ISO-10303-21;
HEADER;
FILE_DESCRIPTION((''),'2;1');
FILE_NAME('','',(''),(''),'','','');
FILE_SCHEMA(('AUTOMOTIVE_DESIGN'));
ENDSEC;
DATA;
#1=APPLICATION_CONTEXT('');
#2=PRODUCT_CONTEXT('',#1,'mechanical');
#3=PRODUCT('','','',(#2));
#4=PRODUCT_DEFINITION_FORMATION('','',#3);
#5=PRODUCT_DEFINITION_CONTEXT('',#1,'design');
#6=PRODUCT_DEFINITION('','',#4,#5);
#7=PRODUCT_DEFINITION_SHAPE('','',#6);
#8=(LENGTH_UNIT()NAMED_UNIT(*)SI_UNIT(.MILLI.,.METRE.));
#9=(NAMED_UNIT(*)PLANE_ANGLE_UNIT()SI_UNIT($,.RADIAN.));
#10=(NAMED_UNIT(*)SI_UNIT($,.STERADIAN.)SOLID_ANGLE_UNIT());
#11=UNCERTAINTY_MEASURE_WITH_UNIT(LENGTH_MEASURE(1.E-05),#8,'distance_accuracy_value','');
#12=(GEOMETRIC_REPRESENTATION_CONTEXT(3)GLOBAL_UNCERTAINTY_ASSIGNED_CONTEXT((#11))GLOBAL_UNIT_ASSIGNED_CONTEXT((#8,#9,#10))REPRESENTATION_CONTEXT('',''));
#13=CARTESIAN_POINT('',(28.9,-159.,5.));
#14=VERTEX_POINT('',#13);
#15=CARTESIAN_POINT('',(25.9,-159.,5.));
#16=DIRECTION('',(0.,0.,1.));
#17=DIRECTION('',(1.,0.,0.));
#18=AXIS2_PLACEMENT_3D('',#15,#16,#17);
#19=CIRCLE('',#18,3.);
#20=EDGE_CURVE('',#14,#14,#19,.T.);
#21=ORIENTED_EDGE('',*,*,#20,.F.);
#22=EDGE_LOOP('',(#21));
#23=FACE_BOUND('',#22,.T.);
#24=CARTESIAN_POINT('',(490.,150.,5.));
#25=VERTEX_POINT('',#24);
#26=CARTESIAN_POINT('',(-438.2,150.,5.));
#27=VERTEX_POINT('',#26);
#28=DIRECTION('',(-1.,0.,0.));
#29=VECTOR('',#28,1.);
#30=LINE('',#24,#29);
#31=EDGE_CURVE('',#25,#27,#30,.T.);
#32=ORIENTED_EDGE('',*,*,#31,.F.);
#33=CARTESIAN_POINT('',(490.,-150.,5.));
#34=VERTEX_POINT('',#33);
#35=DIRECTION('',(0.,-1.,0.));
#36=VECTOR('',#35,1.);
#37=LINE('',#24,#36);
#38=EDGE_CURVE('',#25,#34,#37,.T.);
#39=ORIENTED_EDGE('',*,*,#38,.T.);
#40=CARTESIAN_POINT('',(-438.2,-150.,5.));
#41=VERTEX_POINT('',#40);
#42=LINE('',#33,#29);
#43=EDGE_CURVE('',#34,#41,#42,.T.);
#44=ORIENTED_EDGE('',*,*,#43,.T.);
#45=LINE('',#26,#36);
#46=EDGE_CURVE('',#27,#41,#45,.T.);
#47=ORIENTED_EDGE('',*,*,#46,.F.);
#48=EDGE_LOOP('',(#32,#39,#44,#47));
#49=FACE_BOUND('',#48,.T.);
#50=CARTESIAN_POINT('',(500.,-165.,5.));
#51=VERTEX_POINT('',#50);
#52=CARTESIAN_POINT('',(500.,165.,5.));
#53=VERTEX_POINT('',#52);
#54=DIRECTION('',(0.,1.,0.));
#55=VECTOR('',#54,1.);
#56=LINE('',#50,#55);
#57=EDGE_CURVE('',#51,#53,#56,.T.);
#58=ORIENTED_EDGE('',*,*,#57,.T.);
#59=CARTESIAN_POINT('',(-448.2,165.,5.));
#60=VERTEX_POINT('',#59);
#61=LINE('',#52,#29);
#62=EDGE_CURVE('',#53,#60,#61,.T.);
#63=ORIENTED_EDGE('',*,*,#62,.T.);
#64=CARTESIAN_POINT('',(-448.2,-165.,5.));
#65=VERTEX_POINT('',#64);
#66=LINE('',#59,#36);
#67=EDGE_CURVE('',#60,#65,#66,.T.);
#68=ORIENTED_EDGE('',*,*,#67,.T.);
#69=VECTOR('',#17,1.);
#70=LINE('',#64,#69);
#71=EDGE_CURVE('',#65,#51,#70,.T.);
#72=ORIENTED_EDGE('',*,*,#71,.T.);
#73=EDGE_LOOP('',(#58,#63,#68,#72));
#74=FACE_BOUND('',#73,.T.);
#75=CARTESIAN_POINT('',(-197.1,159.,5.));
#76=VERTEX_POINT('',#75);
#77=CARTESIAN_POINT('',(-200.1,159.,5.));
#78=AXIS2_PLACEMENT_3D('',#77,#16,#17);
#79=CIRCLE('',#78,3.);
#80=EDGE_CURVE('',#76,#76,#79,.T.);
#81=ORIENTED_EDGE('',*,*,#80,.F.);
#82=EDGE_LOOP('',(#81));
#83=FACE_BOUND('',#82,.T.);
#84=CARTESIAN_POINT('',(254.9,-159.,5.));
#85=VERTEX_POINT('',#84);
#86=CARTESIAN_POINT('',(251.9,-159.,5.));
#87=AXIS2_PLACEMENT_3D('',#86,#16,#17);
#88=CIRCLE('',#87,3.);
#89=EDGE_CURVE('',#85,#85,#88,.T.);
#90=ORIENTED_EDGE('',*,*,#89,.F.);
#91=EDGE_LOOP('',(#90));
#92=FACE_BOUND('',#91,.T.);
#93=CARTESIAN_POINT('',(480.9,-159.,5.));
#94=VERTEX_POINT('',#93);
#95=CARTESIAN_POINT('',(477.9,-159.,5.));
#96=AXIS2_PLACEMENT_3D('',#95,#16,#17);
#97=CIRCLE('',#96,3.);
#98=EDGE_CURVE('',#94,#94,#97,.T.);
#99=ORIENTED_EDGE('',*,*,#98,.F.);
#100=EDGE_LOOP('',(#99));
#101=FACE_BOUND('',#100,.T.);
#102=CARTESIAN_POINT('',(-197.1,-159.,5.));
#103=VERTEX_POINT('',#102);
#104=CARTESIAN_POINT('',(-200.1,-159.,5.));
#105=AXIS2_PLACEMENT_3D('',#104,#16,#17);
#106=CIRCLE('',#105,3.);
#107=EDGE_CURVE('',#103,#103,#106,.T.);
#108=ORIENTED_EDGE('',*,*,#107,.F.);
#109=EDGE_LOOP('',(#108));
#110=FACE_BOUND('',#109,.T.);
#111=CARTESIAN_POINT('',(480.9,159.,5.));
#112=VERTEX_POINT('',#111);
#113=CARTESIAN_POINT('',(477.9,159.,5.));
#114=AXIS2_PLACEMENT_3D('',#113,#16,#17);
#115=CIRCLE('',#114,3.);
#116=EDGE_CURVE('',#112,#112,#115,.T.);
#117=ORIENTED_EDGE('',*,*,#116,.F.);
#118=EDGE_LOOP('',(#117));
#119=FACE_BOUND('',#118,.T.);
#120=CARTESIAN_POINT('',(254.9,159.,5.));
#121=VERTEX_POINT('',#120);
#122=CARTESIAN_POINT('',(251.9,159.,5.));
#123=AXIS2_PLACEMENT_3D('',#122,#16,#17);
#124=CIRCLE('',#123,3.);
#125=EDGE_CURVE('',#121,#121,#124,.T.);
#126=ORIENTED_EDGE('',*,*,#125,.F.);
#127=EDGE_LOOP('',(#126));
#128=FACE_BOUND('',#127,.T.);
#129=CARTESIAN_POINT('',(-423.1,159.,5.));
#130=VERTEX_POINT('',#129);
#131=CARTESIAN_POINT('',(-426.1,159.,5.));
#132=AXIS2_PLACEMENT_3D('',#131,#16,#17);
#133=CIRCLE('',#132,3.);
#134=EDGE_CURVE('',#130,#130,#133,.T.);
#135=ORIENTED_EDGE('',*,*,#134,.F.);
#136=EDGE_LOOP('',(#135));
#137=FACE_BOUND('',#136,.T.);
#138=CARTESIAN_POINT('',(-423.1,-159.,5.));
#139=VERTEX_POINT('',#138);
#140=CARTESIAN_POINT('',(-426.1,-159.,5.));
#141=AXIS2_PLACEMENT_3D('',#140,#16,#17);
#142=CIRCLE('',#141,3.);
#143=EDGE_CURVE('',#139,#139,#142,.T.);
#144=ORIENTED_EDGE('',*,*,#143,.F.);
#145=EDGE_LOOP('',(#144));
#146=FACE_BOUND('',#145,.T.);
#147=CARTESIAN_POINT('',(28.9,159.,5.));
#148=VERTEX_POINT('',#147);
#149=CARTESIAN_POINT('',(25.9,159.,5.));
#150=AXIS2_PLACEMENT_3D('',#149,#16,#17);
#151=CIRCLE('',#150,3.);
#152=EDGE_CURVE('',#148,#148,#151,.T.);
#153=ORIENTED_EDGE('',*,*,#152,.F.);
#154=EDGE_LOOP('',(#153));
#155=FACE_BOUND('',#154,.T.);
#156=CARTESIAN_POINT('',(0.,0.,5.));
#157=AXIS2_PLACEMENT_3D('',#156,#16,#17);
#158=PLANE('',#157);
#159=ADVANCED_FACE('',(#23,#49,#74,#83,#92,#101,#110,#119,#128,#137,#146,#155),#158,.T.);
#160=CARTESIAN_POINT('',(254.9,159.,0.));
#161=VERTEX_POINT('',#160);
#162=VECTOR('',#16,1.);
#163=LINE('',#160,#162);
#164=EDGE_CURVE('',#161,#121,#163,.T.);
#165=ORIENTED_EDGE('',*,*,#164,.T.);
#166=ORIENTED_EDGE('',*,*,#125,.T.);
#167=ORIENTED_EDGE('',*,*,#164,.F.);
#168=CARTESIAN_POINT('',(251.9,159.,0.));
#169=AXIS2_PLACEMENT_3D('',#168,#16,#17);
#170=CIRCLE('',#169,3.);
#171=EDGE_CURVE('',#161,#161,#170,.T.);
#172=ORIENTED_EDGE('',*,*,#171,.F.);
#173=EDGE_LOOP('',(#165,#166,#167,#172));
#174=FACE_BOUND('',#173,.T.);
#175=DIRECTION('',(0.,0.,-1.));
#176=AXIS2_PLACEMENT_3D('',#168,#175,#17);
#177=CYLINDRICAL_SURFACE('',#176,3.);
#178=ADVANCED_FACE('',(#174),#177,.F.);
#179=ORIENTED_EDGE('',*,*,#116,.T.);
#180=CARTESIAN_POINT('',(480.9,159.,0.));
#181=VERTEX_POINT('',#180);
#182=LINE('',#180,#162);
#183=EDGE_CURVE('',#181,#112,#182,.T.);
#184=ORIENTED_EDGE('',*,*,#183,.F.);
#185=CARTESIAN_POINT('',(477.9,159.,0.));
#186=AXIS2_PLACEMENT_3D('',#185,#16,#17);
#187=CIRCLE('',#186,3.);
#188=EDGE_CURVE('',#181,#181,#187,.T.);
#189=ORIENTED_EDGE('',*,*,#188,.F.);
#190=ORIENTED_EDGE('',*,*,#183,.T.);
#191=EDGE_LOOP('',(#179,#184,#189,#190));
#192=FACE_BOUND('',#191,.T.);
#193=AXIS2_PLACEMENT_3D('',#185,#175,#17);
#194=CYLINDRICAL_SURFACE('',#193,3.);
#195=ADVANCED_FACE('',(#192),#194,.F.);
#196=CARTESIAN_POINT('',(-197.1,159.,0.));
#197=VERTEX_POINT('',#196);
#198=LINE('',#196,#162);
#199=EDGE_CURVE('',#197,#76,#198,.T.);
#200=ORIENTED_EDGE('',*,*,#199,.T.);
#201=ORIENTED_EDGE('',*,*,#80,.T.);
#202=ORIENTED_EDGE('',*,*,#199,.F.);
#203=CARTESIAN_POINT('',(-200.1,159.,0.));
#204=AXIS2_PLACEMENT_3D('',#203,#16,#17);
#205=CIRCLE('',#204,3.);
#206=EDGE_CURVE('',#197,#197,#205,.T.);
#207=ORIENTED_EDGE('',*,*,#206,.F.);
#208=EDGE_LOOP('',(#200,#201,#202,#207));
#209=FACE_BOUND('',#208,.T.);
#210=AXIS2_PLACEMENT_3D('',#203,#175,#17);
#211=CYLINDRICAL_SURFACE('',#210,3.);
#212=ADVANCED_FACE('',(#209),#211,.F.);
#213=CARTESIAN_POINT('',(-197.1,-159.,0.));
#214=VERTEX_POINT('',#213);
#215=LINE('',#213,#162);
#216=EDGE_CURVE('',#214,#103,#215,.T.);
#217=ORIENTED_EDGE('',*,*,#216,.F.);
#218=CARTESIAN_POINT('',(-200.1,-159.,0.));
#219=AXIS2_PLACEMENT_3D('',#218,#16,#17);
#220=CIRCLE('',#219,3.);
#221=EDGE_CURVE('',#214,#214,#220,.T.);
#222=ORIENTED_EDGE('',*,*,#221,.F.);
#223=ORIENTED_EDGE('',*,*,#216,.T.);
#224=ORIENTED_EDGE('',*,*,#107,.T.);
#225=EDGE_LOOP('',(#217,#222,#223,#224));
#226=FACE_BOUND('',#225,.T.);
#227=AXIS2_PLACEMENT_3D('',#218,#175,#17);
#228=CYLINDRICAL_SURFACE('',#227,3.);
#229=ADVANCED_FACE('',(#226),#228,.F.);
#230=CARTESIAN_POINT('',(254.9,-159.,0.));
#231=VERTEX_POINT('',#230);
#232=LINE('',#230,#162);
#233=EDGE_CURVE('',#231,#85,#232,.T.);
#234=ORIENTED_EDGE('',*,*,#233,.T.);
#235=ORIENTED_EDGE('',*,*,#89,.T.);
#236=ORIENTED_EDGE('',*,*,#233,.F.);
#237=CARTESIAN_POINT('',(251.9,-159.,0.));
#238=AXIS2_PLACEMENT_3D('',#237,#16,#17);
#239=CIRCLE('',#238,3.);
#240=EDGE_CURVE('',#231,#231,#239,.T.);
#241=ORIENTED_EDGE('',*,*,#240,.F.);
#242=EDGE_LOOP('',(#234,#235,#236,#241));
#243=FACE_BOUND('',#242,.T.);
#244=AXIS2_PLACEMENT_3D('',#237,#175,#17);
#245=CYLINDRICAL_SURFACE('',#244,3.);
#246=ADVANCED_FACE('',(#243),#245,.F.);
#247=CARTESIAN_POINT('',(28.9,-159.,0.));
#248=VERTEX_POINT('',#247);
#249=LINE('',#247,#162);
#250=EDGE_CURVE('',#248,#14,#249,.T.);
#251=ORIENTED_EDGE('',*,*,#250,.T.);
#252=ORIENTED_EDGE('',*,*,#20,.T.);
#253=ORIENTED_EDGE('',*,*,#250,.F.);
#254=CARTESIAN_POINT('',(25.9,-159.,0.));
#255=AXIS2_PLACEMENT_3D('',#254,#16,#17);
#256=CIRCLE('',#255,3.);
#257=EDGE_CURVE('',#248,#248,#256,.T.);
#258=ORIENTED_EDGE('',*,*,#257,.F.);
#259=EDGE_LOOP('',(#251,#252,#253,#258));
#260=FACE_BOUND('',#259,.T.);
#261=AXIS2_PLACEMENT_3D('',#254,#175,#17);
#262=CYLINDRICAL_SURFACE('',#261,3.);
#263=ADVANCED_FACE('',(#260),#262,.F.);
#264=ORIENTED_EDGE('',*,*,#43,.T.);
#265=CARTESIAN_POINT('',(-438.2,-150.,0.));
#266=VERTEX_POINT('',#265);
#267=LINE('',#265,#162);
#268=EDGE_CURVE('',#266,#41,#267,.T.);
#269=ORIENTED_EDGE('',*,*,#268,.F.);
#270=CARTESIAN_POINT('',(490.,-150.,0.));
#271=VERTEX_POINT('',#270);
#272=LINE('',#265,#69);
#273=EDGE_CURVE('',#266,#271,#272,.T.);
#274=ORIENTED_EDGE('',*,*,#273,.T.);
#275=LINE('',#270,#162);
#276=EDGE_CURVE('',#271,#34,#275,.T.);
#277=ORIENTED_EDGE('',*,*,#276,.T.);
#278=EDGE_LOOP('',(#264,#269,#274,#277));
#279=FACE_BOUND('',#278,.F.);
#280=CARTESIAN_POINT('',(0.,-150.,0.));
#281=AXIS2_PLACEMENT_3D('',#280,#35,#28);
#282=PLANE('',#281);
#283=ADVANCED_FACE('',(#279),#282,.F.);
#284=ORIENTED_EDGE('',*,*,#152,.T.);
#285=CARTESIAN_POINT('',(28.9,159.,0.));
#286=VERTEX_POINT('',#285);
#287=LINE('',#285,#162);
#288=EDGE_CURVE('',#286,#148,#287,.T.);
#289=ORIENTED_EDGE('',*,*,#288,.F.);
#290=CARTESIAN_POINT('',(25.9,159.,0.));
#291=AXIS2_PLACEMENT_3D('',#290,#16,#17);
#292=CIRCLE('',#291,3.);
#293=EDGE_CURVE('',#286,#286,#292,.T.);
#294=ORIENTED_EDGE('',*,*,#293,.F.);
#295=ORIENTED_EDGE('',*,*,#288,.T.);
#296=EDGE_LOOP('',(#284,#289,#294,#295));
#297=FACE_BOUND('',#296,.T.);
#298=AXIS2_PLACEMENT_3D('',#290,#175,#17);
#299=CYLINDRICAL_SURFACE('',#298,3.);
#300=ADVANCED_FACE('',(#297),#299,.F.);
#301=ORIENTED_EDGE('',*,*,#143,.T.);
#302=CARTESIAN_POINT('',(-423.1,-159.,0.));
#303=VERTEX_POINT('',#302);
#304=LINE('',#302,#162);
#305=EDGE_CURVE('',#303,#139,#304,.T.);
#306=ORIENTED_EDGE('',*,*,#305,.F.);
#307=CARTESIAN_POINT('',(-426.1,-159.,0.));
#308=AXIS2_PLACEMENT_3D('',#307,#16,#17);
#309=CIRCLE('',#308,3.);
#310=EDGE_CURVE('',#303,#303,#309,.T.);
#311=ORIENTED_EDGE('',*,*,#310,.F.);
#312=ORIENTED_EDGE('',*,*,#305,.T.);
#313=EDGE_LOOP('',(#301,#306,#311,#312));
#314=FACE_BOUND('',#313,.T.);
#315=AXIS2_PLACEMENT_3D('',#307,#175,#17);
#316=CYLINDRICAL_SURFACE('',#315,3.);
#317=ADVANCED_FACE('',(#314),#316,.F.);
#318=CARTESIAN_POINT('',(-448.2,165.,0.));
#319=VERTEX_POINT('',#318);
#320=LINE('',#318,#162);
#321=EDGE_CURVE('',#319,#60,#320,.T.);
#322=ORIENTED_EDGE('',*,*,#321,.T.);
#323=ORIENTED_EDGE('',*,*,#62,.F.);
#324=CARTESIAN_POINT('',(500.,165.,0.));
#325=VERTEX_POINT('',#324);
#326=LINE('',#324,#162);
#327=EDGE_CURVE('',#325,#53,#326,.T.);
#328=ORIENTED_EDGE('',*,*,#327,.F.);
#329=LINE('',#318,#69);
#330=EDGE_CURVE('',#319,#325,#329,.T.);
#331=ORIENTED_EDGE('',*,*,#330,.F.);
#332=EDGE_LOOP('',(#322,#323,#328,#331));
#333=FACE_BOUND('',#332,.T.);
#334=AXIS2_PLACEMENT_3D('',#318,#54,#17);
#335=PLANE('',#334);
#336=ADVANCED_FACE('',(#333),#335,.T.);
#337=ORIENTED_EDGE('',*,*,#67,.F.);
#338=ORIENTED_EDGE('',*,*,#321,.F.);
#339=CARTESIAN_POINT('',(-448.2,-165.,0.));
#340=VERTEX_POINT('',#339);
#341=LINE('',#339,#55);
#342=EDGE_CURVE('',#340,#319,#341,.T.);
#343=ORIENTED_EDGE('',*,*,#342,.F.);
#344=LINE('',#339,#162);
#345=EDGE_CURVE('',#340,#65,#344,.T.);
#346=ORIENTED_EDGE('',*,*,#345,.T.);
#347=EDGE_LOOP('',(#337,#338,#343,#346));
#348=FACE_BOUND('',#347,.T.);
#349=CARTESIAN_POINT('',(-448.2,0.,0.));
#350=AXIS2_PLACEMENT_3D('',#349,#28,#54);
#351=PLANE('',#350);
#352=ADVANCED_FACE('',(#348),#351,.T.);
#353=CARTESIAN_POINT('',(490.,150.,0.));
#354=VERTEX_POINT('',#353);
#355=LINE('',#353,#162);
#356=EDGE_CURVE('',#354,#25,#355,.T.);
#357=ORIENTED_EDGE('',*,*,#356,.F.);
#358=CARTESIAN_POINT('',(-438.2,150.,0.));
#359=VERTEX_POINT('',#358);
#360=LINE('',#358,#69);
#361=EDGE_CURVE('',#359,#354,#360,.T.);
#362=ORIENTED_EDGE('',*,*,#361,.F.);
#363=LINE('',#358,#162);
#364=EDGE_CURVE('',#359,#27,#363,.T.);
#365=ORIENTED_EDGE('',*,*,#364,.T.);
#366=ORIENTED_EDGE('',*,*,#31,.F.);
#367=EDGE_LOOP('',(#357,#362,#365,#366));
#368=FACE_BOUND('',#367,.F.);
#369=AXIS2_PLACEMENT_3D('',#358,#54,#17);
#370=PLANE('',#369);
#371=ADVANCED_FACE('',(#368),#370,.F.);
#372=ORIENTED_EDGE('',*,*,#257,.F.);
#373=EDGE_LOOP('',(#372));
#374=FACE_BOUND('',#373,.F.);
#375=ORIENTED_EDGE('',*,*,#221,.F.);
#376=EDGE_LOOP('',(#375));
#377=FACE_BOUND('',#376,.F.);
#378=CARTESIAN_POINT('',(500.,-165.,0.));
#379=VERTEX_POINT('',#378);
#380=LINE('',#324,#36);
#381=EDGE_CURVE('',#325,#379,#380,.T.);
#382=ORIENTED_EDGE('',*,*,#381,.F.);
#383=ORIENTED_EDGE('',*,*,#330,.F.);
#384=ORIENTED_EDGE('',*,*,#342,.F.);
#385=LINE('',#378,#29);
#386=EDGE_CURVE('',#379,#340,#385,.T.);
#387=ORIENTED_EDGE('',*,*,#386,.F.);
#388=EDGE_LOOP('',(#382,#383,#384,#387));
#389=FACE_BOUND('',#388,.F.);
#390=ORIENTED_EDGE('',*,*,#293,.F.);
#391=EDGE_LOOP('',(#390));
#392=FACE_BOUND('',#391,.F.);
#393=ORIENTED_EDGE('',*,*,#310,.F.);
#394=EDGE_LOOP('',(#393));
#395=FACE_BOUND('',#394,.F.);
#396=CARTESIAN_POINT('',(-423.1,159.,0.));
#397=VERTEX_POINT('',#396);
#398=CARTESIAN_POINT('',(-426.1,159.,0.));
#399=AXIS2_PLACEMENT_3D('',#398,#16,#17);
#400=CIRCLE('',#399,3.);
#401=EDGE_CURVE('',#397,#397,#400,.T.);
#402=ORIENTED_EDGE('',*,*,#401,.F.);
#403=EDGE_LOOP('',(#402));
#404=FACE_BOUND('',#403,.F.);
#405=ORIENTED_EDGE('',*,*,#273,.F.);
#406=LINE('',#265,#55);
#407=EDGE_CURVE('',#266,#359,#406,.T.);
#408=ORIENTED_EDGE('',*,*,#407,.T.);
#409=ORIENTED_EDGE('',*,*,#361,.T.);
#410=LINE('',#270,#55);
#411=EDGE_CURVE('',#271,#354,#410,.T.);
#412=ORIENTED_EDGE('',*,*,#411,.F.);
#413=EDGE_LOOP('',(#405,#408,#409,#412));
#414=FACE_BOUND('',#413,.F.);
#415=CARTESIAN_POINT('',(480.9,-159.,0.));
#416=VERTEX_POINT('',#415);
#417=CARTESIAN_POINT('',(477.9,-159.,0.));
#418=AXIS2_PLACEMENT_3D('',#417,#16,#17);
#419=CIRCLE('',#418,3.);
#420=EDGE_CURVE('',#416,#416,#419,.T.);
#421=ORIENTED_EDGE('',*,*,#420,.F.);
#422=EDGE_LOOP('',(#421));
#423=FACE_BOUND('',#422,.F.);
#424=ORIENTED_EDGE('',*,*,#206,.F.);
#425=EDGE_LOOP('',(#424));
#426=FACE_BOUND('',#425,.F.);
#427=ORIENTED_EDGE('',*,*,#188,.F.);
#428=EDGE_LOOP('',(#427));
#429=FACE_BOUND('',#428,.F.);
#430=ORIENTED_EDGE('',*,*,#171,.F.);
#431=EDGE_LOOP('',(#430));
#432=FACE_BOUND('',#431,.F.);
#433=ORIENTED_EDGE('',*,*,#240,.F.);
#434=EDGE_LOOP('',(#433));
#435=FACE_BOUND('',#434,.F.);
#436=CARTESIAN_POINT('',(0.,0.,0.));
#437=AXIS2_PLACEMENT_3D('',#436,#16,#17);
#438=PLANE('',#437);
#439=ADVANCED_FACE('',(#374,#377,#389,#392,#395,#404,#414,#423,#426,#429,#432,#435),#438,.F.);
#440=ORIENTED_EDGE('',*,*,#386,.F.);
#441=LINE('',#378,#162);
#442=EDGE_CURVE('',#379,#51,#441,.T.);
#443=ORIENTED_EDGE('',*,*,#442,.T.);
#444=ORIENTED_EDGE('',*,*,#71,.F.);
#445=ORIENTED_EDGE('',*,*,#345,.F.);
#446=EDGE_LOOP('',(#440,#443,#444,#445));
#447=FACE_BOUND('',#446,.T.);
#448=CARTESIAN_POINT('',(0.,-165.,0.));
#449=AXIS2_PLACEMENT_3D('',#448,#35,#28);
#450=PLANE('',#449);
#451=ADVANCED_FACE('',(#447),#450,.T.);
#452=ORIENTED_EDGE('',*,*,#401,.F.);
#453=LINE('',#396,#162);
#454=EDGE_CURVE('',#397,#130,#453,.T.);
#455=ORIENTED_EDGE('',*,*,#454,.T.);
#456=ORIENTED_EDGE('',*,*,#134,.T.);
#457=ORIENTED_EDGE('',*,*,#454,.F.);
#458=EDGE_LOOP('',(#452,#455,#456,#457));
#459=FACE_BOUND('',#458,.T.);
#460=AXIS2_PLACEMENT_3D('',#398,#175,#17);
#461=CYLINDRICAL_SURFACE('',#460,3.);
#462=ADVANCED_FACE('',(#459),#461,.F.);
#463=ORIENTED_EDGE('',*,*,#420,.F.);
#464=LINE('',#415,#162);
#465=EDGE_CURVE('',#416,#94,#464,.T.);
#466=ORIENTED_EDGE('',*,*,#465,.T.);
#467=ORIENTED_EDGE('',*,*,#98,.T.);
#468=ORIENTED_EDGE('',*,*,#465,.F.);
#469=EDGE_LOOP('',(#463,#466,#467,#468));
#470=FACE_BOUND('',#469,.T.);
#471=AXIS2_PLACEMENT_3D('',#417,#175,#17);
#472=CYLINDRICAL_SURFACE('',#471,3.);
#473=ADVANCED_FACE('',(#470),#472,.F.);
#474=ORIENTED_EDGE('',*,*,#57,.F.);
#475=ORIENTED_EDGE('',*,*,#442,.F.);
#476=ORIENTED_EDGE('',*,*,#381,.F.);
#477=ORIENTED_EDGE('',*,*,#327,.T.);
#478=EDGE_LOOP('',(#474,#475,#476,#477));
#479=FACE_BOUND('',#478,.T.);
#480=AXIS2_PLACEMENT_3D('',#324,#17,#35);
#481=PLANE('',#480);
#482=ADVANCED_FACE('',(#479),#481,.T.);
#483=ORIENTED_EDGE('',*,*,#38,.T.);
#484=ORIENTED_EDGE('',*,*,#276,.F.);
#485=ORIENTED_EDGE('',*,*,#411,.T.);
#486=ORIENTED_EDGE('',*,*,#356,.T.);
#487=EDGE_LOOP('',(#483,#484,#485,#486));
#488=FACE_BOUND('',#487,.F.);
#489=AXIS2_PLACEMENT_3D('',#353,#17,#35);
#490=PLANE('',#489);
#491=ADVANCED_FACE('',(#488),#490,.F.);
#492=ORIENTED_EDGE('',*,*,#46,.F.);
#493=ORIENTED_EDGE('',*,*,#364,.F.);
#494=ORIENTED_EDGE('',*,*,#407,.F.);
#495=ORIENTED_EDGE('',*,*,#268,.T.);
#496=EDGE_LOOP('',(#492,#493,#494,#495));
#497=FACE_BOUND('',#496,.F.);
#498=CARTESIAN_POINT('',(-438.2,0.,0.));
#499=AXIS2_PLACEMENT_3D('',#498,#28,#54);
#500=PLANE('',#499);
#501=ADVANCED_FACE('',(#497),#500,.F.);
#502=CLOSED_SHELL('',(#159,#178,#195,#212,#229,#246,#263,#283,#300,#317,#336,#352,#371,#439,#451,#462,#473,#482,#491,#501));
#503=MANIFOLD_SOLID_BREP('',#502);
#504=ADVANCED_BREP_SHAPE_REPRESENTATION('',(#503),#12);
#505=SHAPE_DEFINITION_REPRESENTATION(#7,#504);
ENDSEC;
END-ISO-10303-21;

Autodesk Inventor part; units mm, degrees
ref_plane "YZ Plane" through (0, 0, 0) normal (1, 0, 0) x (0, 1, 0)
ref_plane "XZ Plane" through (0, 0, 0) normal (0, 1, 0) x (-1, 0, 0)
ref_plane "XY Plane" through (0, 0, 0) normal (0, 0, 1) x (1, 0, 0)
sketch "Sketch1" plane through (0, 0, 0) normal (0, 0, 1) x (1, 0, 0)
  line L0 (-438.2, 150) -> (490, 150)
  line L1 (490, 150) -> (490, -150)
  line L2 (490, -150) -> (-438.2, -150)
  line L3 (-438.2, -150) -> (-438.2, 150)
  line L4 (-448.2, 165) -> (500, 165)
  line L5 (500, 165) -> (500, -165)
  line L6 (500, -165) -> (-448.2, -165)
  line L7 (-448.2, -165) -> (-448.2, 165)
  line L8 (0, 231) -> (0, -231) projected
  line L9 (-637.84, 0) -> (689.64, 0) projected
  line L10 (-448.2, 159) -> (500, 159) construction
  line L11 (500, -159) -> (-448.2, -159) construction
  circle A0 centre (-426.1, -159) radius 3
  circle A1 centre (-200.1, -159) radius 3
  circle A2 centre (25.9, -159) radius 3
  circle A3 centre (251.9, -159) radius 3
  circle A4 centre (477.9, -159) radius 3
  circle A5 centre (-426.1, 159) radius 3
  circle A6 centre (-200.1, 159) radius 3
  circle A7 centre (25.9, 159) radius 3
  circle A8 centre (251.9, 159) radius 3
  circle A9 centre (477.9, 159) radius 3
  point P0 (0, 0)
  dimension "d0" = 928.2
  dimension "d1" = 300
  dimension "d2" = 948.2
  dimension "d3" = 330
  dimension "d6" = 490
  dimension "d7" = 500
  dimension "d8" = 6
  dimension "d9" = 6
  dimension "d10" = 6
  dimension "d11" = 22.1
  dimension "d12" = 226
  dimension "d13" = 226
  dimension "d14" = 226
  dimension "d15" = 226
  dimension "d16" = 22.1
  dimension "d17" = 226
  dimension "d18" = 226
  dimension "d19" = 226
  dimension "d20" = 226
extrude "Extrusion1" add sketch "Sketch1" along normal blind 5 contours L3 L9 L7 L4 L8 L0 | L8 L4 L5 L9 L1 L0 | L3 L2 L8 L6 L7 L9 | L9 L5 L6 L8 L2 L1
properties part number "AluminumCasing"
